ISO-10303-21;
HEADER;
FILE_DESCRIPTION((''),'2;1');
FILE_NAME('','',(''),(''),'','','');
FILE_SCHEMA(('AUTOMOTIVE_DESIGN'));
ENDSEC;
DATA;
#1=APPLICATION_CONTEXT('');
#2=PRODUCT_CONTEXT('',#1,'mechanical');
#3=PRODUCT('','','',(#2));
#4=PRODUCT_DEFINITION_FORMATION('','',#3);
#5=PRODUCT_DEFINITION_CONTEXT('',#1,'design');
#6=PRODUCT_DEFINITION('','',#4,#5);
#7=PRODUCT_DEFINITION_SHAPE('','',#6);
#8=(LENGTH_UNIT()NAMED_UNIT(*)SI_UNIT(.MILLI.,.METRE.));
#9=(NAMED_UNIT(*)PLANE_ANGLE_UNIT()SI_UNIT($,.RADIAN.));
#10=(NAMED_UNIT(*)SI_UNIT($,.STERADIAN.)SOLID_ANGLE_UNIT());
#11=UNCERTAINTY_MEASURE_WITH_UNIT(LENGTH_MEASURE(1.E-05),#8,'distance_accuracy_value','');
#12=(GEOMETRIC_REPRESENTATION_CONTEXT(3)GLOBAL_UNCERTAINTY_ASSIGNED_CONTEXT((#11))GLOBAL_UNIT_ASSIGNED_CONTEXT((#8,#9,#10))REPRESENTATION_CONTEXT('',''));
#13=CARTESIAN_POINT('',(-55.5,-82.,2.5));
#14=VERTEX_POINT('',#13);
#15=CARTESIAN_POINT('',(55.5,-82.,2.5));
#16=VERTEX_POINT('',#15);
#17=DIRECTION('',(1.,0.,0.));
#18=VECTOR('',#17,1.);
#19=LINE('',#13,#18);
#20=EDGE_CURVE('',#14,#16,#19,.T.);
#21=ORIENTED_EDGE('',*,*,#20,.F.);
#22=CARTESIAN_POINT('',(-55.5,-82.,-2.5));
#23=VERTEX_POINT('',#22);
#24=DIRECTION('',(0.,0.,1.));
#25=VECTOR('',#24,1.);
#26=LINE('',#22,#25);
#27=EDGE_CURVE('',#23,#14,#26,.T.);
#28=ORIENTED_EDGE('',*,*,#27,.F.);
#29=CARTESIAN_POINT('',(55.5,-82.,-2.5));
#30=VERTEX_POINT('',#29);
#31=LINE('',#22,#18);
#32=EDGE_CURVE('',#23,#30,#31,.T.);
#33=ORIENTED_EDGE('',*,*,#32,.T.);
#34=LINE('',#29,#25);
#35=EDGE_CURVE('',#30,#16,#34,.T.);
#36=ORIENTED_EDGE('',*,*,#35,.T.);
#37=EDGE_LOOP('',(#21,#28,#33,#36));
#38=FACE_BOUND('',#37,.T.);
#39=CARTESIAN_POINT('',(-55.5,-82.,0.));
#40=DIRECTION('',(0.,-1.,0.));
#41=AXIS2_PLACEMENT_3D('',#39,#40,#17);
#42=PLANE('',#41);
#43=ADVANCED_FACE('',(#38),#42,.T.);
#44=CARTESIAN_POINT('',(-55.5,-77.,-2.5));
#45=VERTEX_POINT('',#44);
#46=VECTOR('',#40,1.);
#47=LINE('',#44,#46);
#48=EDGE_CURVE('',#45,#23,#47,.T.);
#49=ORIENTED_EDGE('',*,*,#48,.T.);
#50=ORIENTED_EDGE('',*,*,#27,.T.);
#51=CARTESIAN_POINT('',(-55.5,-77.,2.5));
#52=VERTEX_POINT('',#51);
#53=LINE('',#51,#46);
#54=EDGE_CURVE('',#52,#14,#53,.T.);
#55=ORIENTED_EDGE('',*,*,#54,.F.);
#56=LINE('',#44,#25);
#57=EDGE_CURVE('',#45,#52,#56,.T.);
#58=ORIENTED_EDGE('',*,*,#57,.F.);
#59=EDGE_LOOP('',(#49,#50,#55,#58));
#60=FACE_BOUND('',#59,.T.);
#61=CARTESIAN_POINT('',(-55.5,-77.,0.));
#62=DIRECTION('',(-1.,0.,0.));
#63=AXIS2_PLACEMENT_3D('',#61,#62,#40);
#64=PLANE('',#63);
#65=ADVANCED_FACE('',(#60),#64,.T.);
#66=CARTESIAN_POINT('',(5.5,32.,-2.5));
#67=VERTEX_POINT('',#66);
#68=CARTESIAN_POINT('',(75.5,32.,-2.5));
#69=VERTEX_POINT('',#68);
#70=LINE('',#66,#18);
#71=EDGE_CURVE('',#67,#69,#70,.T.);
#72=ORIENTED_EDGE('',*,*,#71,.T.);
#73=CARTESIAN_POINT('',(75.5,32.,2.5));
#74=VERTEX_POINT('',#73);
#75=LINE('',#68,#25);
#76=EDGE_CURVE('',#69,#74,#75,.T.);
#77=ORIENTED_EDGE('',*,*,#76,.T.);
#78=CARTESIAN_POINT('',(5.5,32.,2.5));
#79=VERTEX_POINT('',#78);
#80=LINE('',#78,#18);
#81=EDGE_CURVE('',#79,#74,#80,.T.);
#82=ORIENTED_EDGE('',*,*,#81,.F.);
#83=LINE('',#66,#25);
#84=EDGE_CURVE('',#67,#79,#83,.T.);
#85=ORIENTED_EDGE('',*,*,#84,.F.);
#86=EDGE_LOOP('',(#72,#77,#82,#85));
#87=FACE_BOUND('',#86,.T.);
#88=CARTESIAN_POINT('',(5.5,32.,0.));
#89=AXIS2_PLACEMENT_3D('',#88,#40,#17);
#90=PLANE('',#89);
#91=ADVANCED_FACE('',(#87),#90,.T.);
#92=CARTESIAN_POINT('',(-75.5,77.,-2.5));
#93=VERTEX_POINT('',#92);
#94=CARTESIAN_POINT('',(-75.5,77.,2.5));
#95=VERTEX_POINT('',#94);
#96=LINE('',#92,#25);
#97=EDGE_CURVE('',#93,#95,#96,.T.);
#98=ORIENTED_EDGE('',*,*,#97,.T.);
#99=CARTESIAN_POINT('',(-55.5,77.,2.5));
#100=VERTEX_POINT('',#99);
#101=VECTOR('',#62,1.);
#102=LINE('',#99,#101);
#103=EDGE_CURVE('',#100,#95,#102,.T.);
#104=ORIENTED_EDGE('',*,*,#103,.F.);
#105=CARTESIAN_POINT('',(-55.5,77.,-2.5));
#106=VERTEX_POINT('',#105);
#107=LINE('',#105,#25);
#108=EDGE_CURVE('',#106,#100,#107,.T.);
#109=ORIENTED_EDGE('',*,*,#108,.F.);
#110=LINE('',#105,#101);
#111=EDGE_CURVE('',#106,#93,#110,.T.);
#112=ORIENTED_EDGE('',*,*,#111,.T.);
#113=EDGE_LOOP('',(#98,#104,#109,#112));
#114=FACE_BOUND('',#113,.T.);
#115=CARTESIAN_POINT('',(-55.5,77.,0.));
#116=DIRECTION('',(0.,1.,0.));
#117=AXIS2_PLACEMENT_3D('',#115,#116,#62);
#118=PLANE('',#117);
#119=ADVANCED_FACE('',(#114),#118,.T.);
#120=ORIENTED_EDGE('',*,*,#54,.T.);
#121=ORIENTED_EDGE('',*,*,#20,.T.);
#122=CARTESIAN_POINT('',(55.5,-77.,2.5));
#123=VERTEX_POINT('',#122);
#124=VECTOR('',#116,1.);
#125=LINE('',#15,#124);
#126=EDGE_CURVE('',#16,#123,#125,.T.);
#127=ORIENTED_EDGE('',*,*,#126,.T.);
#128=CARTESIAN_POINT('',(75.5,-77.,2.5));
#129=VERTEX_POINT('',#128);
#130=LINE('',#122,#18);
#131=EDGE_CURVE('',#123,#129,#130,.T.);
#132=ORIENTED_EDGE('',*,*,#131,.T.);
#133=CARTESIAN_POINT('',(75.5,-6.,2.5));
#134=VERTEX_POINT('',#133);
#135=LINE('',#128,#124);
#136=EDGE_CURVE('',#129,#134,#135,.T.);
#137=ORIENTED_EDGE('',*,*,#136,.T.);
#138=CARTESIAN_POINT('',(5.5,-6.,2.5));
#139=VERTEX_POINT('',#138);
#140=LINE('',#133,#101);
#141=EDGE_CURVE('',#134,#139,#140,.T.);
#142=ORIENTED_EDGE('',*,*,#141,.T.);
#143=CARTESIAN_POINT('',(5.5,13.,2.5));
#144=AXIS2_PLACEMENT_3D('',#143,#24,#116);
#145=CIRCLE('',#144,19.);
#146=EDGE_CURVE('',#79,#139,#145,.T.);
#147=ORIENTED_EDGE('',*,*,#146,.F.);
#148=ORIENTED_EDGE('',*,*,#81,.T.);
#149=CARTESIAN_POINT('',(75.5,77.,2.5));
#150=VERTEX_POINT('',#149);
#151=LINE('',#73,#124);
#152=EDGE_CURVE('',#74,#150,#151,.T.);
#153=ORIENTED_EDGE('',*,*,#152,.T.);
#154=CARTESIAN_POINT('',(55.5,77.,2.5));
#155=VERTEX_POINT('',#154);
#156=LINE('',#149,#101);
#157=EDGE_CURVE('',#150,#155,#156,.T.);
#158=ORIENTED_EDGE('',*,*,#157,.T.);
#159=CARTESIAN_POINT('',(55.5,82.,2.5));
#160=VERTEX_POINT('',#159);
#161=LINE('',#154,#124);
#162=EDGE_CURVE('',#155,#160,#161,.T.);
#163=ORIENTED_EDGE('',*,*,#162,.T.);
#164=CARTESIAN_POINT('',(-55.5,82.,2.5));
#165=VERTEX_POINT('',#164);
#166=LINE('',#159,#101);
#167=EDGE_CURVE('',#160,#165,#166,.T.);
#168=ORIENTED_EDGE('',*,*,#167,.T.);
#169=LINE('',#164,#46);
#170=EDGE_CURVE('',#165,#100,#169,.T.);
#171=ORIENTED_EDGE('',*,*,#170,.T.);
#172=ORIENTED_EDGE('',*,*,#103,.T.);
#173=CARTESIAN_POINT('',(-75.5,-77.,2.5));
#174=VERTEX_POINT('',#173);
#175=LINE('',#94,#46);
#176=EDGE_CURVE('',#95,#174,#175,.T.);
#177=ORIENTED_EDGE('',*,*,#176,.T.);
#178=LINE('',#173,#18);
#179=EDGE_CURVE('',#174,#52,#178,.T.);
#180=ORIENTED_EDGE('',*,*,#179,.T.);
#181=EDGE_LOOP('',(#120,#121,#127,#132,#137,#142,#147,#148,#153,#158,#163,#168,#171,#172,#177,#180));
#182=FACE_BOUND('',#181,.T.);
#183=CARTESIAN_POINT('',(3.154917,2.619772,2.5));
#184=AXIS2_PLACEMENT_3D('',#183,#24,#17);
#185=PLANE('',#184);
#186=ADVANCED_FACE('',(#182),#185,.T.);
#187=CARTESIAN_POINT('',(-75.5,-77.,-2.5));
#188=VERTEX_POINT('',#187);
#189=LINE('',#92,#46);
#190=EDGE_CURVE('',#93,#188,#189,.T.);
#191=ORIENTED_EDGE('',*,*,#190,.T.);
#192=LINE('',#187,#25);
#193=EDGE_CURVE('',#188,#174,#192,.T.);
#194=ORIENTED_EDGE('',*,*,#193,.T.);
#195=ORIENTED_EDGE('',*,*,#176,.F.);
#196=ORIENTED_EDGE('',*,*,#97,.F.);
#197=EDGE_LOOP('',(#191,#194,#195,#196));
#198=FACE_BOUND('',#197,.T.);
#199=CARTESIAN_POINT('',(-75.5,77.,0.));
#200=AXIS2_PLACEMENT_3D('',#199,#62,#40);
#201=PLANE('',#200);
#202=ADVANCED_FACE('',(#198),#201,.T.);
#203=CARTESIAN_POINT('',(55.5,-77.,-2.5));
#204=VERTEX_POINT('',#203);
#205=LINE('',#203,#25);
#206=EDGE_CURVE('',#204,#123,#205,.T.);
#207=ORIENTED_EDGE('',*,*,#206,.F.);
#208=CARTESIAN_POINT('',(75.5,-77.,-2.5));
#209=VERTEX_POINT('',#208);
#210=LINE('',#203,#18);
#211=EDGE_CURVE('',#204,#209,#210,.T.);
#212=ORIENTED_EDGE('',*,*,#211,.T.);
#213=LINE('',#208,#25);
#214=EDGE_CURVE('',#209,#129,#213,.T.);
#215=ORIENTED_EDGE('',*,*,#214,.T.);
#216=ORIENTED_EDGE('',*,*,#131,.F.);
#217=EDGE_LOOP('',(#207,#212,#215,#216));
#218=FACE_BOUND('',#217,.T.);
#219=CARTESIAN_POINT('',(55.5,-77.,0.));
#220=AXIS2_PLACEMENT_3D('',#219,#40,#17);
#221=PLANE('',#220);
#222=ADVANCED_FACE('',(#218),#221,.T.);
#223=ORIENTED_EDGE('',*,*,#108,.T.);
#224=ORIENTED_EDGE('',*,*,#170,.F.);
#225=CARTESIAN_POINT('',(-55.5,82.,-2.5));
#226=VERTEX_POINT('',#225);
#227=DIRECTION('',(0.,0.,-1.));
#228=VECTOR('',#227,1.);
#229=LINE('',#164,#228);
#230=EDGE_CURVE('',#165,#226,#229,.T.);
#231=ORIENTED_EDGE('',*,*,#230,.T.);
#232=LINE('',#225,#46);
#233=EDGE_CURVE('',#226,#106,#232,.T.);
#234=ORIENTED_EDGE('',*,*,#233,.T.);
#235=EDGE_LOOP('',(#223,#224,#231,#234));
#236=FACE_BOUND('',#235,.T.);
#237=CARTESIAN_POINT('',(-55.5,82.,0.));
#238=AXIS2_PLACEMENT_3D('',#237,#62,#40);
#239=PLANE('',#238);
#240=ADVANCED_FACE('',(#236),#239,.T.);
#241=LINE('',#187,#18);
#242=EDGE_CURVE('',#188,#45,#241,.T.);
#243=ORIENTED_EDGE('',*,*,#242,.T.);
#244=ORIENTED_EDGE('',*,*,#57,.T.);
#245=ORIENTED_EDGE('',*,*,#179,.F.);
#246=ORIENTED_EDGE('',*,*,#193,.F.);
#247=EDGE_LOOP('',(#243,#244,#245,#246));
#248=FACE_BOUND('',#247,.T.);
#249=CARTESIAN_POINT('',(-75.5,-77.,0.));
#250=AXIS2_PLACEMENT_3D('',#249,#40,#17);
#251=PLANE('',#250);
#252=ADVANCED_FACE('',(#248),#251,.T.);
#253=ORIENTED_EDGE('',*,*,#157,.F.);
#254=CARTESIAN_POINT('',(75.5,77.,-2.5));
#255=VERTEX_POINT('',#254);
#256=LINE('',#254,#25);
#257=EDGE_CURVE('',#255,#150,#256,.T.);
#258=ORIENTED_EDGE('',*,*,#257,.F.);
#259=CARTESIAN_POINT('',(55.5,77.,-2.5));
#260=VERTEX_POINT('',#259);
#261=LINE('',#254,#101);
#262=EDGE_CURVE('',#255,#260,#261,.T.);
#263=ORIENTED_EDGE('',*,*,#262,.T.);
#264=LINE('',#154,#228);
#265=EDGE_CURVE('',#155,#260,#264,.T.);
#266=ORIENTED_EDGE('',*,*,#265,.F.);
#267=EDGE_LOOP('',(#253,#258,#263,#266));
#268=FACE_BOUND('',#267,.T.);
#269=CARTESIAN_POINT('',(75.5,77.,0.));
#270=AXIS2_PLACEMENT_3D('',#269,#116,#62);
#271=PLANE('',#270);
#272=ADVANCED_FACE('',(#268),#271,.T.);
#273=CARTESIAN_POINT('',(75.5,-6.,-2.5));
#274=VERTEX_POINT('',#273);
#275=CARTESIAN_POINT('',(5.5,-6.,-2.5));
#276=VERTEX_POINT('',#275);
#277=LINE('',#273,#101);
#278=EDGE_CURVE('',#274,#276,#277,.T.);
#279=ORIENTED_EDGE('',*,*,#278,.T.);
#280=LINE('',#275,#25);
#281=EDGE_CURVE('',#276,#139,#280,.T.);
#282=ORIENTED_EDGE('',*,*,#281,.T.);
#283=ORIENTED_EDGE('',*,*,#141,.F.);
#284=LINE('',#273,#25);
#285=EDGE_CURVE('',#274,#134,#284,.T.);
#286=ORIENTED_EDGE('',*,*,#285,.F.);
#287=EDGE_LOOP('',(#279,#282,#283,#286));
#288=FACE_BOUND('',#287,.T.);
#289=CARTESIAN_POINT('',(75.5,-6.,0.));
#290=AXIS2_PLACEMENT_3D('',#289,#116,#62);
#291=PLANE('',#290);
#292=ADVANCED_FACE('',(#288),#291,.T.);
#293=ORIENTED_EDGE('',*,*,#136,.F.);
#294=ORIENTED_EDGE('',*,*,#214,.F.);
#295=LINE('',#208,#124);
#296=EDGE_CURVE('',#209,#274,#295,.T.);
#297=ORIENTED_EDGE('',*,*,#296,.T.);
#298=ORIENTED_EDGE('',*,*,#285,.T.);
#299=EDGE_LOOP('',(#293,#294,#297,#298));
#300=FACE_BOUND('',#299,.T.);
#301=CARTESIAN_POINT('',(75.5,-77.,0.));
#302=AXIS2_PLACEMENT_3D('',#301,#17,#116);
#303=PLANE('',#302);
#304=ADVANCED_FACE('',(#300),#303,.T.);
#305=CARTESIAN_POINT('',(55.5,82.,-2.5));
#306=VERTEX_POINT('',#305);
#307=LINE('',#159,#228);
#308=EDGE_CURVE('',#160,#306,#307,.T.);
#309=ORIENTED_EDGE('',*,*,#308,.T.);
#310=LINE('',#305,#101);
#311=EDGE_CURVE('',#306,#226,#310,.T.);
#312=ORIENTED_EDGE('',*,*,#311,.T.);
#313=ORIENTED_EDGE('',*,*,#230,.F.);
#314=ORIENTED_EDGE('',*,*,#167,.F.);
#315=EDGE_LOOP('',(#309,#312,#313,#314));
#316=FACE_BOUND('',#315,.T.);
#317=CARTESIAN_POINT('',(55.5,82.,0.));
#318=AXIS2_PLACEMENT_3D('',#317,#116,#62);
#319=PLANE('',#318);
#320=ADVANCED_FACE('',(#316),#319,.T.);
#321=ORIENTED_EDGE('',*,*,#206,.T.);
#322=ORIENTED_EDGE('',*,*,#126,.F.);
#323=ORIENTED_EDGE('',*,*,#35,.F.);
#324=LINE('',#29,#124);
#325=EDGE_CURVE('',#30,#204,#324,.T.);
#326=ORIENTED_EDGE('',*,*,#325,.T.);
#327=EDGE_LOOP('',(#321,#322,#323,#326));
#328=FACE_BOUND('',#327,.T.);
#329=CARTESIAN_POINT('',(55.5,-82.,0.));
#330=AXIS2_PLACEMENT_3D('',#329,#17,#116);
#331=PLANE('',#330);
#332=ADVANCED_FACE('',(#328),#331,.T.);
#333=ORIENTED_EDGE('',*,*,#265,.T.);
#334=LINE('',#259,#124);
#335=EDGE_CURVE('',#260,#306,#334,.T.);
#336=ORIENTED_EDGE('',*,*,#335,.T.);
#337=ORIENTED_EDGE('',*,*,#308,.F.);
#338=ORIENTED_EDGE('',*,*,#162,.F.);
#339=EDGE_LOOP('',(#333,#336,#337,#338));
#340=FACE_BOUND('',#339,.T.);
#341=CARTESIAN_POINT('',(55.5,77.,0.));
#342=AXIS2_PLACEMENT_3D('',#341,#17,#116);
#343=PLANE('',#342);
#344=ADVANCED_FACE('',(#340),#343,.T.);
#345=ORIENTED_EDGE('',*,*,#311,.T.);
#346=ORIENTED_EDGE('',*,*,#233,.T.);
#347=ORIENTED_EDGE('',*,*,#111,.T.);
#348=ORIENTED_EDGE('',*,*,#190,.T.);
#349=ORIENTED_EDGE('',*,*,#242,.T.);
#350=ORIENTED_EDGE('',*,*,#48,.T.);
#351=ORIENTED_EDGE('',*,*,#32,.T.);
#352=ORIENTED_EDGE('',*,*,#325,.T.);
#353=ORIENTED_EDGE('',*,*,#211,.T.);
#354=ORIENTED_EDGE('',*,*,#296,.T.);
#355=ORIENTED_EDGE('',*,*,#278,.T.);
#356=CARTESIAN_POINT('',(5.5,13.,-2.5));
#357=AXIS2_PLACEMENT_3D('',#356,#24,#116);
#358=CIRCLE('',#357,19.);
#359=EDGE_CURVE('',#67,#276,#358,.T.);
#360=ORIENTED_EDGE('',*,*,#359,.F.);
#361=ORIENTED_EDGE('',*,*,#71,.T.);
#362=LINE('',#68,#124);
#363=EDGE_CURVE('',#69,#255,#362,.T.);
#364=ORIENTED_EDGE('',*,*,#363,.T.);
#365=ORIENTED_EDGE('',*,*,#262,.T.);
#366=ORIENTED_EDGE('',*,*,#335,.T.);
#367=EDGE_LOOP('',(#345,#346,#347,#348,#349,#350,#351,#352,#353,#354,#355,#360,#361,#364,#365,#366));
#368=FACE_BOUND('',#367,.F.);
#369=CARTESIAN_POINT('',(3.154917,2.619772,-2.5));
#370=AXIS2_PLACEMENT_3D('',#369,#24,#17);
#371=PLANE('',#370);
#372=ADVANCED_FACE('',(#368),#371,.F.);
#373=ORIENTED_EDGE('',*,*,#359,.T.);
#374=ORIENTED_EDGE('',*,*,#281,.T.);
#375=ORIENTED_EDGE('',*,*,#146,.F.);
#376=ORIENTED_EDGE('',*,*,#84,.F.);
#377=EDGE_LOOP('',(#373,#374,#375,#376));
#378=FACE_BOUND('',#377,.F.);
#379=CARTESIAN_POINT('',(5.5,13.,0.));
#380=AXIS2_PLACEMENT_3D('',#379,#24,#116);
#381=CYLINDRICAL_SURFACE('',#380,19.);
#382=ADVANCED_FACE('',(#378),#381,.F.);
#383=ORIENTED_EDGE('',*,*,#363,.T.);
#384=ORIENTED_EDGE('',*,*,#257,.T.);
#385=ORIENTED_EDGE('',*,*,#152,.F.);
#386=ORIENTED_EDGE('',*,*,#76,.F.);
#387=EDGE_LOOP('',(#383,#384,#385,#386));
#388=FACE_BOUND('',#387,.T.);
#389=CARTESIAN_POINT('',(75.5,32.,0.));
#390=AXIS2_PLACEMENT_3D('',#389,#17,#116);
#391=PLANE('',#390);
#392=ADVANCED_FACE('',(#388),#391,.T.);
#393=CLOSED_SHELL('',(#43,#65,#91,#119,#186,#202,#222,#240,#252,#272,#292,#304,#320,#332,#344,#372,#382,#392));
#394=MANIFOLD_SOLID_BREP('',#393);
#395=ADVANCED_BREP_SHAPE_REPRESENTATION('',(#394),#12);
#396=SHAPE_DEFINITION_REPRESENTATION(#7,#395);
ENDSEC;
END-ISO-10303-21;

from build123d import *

# Parameters (mm, degrees)
PAD_DEPTH = 2.5


with BuildPart() as part:
    # Sketch → Pad (new body, symmetric)
    with BuildSketch(Plane.XY):
        with BuildLine():
            Line((-55.5, 82), (-55.5, 77))
            Line((-55.5, 77), (-75.5, 77))
            Line((-75.5, 77), (-75.5, -77))
            Line((-75.5, -77), (-55.5, -77))
            Line((-55.5, -77), (-55.5, -82))
            Line((-55.5, -82), (55.5, -82))
            Line((55.5, -82), (55.5, -77))
            Line((55.5, -77), (75.5, -77))
            Line((75.5, -77), (75.5, -6))
            Line((75.5, -6), (5.5, -6))
            ThreePointArc((5.5, 32), (-13.5, 13), (5.5, -6))
            Line((5.5, 32), (75.5, 32))
            Line((75.5, 32), (75.5, 77))
            Line((75.5, 77), (55.5, 77))
            Line((55.5, 77), (55.5, 82))
            Line((55.5, 82), (-55.5, 82))
        make_face()
    extrude(amount=PAD_DEPTH, both=True)


solid = part.part
